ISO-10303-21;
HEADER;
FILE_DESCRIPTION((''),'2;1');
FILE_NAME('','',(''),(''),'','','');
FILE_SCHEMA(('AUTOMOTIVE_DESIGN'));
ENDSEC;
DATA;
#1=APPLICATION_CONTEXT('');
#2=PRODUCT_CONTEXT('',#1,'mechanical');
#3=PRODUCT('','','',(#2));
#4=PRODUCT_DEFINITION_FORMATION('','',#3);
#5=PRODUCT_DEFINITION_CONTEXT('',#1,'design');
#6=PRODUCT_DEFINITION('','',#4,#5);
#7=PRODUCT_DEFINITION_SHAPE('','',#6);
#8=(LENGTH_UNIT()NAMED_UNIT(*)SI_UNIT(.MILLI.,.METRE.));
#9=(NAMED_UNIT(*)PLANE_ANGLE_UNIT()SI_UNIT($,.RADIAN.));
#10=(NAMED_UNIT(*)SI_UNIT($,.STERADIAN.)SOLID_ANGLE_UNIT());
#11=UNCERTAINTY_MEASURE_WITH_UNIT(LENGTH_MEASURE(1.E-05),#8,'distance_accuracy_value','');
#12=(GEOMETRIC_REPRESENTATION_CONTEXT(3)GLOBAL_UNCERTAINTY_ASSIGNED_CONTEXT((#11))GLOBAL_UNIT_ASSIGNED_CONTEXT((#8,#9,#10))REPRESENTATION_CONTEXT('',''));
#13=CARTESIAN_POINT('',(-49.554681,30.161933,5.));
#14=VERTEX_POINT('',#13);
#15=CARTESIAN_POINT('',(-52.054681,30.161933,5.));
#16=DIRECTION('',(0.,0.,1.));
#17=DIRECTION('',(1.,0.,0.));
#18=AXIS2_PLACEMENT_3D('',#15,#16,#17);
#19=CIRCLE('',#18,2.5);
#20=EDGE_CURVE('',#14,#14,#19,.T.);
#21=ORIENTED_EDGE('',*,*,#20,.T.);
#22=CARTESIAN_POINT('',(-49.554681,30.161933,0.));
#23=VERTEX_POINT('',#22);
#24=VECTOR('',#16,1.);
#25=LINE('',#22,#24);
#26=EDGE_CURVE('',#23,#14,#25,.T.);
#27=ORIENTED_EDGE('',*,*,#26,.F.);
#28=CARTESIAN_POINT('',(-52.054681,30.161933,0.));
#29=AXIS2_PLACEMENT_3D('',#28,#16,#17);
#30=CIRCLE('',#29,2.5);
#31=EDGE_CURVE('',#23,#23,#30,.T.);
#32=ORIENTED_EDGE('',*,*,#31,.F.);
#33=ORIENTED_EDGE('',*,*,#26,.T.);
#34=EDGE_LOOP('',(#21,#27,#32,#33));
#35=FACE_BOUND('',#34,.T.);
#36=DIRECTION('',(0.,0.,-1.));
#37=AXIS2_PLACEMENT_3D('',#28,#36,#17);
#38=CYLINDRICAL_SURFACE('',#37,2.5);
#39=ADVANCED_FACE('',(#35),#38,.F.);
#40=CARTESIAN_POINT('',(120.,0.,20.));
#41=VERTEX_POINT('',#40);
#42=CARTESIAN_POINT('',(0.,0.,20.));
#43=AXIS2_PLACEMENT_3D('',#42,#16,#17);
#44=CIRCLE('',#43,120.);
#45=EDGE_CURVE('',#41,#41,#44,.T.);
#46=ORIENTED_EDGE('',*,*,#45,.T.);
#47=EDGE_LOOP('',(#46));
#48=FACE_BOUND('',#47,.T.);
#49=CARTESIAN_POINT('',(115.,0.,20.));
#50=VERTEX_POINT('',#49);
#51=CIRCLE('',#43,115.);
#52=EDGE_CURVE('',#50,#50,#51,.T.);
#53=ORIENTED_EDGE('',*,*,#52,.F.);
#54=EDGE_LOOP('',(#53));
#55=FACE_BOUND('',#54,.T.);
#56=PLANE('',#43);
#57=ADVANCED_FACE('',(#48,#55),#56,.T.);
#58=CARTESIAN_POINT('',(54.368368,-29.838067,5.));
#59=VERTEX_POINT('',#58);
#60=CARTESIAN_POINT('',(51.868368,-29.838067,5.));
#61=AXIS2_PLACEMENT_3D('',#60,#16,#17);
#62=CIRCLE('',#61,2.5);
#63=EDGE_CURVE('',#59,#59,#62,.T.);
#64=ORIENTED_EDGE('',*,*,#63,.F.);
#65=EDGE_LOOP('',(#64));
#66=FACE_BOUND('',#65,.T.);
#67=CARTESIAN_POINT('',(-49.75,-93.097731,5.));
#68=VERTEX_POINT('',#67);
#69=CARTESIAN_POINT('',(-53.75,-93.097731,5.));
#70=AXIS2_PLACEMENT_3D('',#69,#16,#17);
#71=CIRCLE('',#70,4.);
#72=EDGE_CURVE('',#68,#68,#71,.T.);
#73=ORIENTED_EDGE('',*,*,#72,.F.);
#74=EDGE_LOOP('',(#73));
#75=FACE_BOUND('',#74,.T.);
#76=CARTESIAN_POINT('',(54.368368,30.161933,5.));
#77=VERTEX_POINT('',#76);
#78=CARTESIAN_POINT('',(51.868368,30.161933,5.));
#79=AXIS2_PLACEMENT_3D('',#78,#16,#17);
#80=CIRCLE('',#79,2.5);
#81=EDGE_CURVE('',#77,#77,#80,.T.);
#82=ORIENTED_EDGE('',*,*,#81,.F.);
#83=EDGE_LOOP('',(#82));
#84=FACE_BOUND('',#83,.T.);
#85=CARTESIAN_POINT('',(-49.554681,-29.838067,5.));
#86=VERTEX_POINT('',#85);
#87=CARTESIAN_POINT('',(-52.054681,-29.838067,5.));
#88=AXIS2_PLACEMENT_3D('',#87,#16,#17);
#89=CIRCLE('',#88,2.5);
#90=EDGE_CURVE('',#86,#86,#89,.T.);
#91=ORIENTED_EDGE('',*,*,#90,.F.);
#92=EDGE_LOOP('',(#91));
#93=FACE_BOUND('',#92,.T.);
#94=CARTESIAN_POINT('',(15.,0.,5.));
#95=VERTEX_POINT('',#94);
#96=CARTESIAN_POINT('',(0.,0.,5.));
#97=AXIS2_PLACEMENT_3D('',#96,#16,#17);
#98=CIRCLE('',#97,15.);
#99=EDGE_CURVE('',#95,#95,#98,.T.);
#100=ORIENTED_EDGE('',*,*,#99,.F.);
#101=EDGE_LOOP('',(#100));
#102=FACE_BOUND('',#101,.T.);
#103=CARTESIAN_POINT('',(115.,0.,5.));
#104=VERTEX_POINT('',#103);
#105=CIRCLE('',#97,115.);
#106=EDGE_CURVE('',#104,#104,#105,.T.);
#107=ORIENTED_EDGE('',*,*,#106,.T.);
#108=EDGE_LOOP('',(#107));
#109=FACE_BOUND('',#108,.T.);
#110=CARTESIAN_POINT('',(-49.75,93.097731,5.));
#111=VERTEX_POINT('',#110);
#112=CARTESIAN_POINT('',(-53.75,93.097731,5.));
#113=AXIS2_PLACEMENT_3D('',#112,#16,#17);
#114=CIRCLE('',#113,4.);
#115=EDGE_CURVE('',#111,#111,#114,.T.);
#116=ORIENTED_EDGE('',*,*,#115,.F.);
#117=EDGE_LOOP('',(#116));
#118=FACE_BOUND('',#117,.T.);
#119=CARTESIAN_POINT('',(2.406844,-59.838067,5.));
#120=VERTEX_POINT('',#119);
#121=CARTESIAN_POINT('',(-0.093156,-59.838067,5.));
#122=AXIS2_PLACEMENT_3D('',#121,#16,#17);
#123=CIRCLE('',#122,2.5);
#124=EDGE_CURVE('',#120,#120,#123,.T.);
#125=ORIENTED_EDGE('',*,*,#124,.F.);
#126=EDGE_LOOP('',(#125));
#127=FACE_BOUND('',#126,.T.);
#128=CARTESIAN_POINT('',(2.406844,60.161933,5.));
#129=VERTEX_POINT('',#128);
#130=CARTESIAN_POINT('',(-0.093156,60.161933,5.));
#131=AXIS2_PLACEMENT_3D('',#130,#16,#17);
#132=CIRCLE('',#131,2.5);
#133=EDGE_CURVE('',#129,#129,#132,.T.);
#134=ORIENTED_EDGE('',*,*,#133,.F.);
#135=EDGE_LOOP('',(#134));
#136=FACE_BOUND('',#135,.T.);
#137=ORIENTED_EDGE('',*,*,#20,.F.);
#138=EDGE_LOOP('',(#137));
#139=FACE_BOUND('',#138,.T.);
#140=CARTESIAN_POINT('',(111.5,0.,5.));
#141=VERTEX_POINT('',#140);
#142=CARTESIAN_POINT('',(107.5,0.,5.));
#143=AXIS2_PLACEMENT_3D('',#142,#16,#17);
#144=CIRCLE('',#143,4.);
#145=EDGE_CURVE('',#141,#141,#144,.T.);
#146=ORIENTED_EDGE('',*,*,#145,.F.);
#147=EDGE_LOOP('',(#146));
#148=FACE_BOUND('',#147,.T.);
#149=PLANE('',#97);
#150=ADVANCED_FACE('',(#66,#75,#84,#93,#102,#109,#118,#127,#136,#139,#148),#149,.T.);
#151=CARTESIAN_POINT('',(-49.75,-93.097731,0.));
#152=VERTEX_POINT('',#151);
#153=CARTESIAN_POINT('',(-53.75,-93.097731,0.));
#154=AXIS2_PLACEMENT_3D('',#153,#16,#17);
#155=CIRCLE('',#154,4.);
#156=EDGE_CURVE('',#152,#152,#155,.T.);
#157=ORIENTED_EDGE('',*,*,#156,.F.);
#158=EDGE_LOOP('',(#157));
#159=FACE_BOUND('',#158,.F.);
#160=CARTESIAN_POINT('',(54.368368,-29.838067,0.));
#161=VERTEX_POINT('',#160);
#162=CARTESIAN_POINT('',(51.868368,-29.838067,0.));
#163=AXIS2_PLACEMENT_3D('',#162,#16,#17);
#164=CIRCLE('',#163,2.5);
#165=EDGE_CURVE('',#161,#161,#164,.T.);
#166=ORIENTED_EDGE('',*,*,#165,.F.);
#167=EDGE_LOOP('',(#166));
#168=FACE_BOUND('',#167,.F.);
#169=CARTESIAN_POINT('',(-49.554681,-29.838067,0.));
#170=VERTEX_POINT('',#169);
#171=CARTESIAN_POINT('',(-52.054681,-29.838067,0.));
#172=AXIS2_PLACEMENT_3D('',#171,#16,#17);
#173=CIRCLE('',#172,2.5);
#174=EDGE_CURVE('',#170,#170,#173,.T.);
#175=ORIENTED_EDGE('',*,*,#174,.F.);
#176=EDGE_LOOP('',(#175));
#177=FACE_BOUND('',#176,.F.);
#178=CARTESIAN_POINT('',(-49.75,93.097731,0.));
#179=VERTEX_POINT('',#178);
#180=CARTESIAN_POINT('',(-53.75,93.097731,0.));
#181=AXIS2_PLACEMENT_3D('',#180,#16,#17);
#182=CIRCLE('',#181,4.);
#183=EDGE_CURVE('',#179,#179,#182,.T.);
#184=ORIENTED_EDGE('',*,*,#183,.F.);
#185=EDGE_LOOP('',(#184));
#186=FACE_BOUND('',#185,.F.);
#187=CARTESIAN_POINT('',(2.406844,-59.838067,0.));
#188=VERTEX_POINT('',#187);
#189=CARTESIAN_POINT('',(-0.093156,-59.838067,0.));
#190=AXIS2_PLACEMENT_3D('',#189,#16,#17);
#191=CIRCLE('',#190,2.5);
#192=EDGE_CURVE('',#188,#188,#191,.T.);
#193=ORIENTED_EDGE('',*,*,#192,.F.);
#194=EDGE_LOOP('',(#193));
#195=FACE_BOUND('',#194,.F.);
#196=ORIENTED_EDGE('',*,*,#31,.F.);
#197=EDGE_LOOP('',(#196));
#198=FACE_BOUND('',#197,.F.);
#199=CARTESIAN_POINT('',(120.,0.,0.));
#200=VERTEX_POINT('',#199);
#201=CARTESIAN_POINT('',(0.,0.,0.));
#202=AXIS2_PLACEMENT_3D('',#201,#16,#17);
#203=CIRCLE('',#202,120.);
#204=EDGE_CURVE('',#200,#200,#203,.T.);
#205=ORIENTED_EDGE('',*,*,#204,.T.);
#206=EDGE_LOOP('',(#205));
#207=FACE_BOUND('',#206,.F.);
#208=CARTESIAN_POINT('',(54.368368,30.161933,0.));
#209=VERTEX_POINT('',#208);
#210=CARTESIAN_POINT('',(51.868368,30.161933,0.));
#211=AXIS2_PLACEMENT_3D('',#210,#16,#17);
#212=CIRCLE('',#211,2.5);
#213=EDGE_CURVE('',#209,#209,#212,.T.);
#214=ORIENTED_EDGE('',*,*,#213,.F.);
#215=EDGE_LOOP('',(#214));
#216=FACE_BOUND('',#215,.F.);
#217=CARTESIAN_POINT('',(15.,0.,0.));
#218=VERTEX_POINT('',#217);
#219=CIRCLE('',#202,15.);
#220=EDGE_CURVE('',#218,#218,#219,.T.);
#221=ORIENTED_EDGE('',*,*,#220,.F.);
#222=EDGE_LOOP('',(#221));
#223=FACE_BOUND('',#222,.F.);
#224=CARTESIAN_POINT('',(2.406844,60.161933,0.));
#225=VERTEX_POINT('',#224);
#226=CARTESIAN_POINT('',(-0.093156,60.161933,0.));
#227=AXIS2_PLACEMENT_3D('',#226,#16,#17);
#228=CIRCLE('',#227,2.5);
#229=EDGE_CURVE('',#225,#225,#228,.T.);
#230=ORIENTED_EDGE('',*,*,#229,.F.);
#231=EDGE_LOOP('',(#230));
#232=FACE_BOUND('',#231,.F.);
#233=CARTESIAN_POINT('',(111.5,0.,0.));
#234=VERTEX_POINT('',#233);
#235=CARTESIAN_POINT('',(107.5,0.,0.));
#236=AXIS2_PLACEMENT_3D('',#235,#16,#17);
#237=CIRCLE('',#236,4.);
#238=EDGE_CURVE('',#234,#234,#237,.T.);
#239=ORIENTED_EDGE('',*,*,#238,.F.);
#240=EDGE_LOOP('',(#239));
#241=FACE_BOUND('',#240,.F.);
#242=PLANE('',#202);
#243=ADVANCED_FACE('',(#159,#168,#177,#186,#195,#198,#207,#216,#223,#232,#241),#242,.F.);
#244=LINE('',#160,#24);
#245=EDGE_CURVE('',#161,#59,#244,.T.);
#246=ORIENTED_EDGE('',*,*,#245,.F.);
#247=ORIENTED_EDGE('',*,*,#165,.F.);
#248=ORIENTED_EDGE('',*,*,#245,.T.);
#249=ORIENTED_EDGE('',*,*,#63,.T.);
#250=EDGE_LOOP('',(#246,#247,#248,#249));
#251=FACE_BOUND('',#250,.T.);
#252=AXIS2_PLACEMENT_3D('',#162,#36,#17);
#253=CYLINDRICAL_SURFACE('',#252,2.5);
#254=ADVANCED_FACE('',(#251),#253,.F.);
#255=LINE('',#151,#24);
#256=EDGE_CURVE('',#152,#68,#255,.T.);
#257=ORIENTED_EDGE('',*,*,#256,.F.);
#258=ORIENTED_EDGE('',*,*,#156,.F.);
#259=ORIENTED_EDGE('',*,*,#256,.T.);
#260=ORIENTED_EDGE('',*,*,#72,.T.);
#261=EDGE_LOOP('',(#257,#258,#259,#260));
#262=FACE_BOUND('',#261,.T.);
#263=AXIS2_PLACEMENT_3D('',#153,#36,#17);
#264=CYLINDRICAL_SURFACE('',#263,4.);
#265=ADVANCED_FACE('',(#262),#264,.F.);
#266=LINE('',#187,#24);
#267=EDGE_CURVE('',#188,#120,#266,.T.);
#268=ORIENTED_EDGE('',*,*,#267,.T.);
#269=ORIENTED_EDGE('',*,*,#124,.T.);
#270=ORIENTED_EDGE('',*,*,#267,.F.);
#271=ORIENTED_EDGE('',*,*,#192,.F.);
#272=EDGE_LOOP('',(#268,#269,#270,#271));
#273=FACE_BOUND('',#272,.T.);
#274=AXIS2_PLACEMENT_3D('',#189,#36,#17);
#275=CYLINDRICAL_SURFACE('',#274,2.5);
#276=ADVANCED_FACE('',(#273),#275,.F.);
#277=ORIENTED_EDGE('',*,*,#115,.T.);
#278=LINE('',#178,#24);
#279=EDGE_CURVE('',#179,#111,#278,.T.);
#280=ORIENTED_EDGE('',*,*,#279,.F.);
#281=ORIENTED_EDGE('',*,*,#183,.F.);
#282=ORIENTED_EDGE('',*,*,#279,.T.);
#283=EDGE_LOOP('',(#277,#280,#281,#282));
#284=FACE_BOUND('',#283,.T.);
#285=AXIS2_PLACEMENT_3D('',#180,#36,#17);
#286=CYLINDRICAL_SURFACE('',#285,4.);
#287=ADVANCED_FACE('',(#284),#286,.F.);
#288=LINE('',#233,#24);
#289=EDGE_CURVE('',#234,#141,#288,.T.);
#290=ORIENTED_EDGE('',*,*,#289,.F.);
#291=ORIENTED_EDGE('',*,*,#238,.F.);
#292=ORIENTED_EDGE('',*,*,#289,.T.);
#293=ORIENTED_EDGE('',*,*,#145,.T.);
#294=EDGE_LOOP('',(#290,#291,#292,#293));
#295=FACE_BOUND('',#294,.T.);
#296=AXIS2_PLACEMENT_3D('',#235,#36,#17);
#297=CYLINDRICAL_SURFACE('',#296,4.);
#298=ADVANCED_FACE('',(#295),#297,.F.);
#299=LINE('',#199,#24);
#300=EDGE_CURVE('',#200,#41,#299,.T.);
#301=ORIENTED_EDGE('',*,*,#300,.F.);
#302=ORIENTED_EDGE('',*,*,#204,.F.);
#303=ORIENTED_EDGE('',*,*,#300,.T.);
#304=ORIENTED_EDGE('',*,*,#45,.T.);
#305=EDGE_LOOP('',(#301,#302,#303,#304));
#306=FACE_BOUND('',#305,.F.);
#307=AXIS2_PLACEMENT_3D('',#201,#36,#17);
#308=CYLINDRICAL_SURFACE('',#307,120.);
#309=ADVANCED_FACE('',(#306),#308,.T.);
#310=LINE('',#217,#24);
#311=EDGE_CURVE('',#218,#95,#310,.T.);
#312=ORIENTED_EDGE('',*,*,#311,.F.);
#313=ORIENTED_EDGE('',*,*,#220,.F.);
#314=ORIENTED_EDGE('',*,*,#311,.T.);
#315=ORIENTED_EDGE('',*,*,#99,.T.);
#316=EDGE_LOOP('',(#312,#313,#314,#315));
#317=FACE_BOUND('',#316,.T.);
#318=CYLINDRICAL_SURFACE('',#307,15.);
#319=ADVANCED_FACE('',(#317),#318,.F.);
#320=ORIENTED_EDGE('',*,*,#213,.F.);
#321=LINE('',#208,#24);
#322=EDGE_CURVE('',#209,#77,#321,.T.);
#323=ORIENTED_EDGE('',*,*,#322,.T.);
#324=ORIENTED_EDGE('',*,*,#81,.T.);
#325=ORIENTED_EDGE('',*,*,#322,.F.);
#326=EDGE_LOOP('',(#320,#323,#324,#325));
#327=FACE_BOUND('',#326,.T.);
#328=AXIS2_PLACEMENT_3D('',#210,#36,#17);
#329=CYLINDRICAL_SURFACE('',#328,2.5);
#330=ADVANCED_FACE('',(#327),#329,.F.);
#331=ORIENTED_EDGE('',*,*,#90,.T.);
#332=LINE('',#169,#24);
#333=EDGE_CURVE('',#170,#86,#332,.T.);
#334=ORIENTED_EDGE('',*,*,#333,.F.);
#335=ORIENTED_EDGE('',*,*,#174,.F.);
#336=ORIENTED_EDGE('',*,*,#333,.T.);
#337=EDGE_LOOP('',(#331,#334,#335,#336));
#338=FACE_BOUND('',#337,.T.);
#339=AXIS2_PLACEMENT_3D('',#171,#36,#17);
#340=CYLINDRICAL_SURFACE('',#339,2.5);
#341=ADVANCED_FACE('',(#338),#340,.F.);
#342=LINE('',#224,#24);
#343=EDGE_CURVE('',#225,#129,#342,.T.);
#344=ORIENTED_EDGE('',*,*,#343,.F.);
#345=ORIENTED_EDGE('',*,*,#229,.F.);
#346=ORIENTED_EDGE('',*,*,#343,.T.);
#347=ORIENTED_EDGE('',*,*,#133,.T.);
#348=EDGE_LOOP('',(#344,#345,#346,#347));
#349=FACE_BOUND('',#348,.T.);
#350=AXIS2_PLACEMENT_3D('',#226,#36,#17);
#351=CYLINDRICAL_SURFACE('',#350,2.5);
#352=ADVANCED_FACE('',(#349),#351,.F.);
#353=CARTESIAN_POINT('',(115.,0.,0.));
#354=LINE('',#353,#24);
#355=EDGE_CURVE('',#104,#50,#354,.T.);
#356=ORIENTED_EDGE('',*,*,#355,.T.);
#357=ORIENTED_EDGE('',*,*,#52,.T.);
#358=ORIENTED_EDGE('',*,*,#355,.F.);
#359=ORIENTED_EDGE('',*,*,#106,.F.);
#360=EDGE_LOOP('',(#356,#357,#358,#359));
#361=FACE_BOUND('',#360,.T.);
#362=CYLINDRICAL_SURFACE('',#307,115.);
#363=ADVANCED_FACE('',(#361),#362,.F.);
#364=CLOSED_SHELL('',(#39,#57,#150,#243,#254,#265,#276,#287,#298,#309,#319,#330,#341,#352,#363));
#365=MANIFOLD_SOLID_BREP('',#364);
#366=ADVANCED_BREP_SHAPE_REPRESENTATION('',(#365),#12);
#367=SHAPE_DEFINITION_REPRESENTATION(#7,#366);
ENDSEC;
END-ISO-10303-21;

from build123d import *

# Parameters (mm, degrees)
F0_R     = 115
F0_R_2   = 4
F0_R_3   = 2.5
F0_R_4   = 15
F1_DEPTH = 5
F0_R_5   = 120
F2_DEPTH = 20


with BuildPart() as f1:
    # F0 (on Top) → F1 (new body)
    with BuildSketch(Plane.XY):
        Circle(F0_R)
        with Locations((-53.75, -93.097731)):
            Circle(F0_R_2, mode=Mode.SUBTRACT)
        with Locations((-0.093156, -59.838067)):
            Circle(F0_R_3, mode=Mode.SUBTRACT)
        with Locations((-52.054681, -29.838067)):
            Circle(F0_R_3, mode=Mode.SUBTRACT)
        with Locations((51.868368, -29.838067)):
            Circle(F0_R_3, mode=Mode.SUBTRACT)
        with Locations((-52.054681, 30.161933)):
            Circle(F0_R_3, mode=Mode.SUBTRACT)
        with Locations((-0.093156, 60.161933)):
            Circle(F0_R_3, mode=Mode.SUBTRACT)
        with Locations((-53.75, 93.097731)):
            Circle(F0_R_2, mode=Mode.SUBTRACT)
        Circle(F0_R_4, mode=Mode.SUBTRACT)
        with Locations((51.868368, 30.161933)):
            Circle(F0_R_3, mode=Mode.SUBTRACT)
        with Locations((107.5, 0)):
            Circle(F0_R_2, mode=Mode.SUBTRACT)
    extrude(amount=F1_DEPTH)

    # F0 (on Top) → F2 (join)
    with BuildSketch(Plane.XY):
        Circle(F0_R_5)
        Circle(F0_R, mode=Mode.SUBTRACT)
    extrude(amount=F2_DEPTH)


solid = f1.part
